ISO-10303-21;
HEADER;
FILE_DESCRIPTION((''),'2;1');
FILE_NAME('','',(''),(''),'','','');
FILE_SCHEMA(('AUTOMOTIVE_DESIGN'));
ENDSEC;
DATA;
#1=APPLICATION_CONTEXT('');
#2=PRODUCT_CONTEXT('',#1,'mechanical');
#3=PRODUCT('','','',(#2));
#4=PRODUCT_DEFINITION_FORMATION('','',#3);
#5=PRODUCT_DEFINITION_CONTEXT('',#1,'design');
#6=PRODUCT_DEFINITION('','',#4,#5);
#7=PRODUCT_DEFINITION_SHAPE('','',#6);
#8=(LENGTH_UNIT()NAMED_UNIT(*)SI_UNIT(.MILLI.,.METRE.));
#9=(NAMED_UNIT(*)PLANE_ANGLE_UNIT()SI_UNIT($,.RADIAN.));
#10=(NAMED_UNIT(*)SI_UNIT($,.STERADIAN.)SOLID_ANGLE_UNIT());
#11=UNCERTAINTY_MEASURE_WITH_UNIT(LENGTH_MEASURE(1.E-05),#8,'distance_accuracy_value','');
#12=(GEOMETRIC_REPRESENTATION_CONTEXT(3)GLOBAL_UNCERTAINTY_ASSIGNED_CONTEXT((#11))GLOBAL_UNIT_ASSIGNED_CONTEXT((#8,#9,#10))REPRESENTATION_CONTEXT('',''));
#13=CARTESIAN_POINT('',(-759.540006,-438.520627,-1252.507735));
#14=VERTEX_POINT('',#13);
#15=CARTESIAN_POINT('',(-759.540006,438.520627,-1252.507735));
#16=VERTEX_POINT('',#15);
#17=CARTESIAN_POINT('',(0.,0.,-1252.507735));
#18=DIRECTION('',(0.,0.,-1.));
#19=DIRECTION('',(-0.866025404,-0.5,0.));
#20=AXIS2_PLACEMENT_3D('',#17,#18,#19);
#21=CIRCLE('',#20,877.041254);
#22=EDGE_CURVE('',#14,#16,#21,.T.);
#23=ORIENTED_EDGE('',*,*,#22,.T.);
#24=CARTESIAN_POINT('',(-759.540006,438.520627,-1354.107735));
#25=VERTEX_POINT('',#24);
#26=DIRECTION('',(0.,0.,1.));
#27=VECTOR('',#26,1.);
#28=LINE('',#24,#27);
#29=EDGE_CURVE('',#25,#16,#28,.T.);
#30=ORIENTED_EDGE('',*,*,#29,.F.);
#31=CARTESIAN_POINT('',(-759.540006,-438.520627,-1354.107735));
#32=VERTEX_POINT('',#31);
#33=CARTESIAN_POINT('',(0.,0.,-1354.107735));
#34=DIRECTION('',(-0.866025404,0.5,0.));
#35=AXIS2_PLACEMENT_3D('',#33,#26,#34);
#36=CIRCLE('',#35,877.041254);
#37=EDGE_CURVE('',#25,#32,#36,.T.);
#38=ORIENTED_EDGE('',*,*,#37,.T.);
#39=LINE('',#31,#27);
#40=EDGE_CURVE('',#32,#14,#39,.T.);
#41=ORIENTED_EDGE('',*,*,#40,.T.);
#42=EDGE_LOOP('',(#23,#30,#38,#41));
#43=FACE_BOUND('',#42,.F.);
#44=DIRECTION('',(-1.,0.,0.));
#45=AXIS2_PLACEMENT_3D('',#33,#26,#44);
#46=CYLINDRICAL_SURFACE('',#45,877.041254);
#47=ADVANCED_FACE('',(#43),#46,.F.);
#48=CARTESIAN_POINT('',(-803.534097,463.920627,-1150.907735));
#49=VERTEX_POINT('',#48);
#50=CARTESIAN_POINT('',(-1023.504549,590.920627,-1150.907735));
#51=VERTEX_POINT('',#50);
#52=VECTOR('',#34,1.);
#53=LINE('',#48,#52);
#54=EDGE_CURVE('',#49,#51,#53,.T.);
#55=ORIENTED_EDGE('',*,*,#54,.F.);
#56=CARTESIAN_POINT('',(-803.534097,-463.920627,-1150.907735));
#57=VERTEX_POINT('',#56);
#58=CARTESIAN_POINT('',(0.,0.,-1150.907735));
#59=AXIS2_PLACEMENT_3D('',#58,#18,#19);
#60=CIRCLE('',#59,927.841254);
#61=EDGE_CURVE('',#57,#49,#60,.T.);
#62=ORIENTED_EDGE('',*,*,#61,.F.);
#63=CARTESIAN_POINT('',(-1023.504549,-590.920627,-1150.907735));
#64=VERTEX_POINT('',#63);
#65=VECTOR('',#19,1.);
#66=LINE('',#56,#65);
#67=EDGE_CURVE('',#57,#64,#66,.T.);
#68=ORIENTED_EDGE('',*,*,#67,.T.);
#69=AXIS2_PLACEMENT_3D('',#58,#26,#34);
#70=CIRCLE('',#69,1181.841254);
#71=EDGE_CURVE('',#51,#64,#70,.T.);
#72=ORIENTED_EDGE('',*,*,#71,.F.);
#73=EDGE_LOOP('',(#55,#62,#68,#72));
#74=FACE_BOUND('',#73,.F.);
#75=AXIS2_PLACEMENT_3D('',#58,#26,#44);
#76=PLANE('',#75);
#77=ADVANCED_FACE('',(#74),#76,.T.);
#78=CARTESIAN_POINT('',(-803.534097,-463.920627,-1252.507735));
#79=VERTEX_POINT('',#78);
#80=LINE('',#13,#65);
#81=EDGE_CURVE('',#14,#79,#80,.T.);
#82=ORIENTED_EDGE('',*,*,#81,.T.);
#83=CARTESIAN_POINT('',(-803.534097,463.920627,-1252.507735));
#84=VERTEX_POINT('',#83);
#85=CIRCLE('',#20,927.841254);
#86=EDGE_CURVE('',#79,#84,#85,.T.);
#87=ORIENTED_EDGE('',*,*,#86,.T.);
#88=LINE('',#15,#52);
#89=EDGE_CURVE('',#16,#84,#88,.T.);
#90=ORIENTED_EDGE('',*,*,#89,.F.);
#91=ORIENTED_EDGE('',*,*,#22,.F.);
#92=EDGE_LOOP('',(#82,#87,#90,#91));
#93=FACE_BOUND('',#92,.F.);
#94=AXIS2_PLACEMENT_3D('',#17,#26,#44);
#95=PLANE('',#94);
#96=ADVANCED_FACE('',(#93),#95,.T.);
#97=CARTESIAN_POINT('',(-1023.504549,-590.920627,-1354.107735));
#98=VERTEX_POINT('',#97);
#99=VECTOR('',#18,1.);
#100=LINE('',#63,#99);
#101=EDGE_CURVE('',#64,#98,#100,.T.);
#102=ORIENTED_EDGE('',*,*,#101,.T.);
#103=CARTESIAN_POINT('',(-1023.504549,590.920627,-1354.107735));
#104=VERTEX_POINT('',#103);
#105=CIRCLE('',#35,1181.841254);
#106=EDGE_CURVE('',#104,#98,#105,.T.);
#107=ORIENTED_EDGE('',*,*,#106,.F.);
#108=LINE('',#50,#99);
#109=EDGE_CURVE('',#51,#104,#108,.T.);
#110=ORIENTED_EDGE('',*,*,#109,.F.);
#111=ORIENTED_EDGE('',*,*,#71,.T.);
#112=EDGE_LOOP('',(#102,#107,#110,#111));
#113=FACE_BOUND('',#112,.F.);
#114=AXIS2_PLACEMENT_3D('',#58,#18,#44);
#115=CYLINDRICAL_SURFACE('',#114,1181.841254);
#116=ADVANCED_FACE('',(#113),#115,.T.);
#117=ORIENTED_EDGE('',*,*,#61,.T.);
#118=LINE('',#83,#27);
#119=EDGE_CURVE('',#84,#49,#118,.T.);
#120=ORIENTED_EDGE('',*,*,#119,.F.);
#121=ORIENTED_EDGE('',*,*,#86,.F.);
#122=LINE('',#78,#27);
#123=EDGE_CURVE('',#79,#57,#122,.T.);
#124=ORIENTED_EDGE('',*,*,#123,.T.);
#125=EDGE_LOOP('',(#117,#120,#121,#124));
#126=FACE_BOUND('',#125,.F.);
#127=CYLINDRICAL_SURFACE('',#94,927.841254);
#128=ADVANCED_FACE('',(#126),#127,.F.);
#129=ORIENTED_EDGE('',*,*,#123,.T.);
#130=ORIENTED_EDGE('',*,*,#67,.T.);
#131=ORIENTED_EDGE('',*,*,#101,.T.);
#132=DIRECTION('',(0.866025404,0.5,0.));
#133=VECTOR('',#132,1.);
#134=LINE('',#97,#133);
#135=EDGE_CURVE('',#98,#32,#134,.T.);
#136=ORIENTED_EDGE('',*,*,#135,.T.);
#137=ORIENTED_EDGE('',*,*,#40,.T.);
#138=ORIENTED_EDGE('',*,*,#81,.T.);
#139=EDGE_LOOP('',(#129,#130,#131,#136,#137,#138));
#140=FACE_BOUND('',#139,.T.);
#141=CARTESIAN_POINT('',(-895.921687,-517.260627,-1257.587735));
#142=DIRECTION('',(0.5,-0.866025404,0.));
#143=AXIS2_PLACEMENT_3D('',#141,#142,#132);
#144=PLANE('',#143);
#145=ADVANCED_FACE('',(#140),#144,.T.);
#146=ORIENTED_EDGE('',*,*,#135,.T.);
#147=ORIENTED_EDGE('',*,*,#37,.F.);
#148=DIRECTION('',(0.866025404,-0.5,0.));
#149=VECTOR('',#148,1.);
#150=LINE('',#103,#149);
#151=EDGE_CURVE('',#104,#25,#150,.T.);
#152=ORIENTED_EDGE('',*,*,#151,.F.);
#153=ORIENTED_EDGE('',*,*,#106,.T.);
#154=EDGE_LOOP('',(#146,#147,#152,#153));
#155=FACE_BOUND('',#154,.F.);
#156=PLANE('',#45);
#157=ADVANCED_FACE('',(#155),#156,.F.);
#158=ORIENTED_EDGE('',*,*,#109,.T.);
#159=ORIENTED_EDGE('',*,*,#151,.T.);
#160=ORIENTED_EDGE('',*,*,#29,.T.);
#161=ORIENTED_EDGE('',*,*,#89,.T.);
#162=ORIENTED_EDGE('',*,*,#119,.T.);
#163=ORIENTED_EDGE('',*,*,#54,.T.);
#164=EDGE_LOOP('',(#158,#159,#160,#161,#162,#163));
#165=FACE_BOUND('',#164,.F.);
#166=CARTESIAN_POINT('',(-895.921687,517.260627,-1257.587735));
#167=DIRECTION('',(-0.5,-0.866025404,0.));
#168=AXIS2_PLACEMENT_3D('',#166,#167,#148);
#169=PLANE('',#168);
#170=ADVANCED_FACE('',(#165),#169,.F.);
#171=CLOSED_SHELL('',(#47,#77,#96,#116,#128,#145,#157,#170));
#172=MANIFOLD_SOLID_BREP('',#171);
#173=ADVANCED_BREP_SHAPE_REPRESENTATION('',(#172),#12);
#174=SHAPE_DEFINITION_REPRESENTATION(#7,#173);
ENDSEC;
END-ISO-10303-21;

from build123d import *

# Parameters (mm, degrees)
F1_ANGLE = 60


with BuildPart() as f1:
    # F0 (on Front) → F1 (revolve, symmetric)
    with BuildSketch(Plane.XZ) as f1_sk:
        Polygon((-927.841254, -1150.907735), (-1181.841254, -1150.907735), (-1181.841254, -1354.107735), (-877.041254, -1354.107735), (-877.041254, -1252.507735), (-927.841254, -1252.507735), align=None)
    revolve(axis=Axis((0, 0, 1876.999565), (0, 0, -1)), revolution_arc=F1_ANGLE / 2)
    revolve(f1_sk.sketch, axis=Axis((0, 0, 1876.999565), (0, 0, 1)), revolution_arc=F1_ANGLE / 2)


solid = f1.part
